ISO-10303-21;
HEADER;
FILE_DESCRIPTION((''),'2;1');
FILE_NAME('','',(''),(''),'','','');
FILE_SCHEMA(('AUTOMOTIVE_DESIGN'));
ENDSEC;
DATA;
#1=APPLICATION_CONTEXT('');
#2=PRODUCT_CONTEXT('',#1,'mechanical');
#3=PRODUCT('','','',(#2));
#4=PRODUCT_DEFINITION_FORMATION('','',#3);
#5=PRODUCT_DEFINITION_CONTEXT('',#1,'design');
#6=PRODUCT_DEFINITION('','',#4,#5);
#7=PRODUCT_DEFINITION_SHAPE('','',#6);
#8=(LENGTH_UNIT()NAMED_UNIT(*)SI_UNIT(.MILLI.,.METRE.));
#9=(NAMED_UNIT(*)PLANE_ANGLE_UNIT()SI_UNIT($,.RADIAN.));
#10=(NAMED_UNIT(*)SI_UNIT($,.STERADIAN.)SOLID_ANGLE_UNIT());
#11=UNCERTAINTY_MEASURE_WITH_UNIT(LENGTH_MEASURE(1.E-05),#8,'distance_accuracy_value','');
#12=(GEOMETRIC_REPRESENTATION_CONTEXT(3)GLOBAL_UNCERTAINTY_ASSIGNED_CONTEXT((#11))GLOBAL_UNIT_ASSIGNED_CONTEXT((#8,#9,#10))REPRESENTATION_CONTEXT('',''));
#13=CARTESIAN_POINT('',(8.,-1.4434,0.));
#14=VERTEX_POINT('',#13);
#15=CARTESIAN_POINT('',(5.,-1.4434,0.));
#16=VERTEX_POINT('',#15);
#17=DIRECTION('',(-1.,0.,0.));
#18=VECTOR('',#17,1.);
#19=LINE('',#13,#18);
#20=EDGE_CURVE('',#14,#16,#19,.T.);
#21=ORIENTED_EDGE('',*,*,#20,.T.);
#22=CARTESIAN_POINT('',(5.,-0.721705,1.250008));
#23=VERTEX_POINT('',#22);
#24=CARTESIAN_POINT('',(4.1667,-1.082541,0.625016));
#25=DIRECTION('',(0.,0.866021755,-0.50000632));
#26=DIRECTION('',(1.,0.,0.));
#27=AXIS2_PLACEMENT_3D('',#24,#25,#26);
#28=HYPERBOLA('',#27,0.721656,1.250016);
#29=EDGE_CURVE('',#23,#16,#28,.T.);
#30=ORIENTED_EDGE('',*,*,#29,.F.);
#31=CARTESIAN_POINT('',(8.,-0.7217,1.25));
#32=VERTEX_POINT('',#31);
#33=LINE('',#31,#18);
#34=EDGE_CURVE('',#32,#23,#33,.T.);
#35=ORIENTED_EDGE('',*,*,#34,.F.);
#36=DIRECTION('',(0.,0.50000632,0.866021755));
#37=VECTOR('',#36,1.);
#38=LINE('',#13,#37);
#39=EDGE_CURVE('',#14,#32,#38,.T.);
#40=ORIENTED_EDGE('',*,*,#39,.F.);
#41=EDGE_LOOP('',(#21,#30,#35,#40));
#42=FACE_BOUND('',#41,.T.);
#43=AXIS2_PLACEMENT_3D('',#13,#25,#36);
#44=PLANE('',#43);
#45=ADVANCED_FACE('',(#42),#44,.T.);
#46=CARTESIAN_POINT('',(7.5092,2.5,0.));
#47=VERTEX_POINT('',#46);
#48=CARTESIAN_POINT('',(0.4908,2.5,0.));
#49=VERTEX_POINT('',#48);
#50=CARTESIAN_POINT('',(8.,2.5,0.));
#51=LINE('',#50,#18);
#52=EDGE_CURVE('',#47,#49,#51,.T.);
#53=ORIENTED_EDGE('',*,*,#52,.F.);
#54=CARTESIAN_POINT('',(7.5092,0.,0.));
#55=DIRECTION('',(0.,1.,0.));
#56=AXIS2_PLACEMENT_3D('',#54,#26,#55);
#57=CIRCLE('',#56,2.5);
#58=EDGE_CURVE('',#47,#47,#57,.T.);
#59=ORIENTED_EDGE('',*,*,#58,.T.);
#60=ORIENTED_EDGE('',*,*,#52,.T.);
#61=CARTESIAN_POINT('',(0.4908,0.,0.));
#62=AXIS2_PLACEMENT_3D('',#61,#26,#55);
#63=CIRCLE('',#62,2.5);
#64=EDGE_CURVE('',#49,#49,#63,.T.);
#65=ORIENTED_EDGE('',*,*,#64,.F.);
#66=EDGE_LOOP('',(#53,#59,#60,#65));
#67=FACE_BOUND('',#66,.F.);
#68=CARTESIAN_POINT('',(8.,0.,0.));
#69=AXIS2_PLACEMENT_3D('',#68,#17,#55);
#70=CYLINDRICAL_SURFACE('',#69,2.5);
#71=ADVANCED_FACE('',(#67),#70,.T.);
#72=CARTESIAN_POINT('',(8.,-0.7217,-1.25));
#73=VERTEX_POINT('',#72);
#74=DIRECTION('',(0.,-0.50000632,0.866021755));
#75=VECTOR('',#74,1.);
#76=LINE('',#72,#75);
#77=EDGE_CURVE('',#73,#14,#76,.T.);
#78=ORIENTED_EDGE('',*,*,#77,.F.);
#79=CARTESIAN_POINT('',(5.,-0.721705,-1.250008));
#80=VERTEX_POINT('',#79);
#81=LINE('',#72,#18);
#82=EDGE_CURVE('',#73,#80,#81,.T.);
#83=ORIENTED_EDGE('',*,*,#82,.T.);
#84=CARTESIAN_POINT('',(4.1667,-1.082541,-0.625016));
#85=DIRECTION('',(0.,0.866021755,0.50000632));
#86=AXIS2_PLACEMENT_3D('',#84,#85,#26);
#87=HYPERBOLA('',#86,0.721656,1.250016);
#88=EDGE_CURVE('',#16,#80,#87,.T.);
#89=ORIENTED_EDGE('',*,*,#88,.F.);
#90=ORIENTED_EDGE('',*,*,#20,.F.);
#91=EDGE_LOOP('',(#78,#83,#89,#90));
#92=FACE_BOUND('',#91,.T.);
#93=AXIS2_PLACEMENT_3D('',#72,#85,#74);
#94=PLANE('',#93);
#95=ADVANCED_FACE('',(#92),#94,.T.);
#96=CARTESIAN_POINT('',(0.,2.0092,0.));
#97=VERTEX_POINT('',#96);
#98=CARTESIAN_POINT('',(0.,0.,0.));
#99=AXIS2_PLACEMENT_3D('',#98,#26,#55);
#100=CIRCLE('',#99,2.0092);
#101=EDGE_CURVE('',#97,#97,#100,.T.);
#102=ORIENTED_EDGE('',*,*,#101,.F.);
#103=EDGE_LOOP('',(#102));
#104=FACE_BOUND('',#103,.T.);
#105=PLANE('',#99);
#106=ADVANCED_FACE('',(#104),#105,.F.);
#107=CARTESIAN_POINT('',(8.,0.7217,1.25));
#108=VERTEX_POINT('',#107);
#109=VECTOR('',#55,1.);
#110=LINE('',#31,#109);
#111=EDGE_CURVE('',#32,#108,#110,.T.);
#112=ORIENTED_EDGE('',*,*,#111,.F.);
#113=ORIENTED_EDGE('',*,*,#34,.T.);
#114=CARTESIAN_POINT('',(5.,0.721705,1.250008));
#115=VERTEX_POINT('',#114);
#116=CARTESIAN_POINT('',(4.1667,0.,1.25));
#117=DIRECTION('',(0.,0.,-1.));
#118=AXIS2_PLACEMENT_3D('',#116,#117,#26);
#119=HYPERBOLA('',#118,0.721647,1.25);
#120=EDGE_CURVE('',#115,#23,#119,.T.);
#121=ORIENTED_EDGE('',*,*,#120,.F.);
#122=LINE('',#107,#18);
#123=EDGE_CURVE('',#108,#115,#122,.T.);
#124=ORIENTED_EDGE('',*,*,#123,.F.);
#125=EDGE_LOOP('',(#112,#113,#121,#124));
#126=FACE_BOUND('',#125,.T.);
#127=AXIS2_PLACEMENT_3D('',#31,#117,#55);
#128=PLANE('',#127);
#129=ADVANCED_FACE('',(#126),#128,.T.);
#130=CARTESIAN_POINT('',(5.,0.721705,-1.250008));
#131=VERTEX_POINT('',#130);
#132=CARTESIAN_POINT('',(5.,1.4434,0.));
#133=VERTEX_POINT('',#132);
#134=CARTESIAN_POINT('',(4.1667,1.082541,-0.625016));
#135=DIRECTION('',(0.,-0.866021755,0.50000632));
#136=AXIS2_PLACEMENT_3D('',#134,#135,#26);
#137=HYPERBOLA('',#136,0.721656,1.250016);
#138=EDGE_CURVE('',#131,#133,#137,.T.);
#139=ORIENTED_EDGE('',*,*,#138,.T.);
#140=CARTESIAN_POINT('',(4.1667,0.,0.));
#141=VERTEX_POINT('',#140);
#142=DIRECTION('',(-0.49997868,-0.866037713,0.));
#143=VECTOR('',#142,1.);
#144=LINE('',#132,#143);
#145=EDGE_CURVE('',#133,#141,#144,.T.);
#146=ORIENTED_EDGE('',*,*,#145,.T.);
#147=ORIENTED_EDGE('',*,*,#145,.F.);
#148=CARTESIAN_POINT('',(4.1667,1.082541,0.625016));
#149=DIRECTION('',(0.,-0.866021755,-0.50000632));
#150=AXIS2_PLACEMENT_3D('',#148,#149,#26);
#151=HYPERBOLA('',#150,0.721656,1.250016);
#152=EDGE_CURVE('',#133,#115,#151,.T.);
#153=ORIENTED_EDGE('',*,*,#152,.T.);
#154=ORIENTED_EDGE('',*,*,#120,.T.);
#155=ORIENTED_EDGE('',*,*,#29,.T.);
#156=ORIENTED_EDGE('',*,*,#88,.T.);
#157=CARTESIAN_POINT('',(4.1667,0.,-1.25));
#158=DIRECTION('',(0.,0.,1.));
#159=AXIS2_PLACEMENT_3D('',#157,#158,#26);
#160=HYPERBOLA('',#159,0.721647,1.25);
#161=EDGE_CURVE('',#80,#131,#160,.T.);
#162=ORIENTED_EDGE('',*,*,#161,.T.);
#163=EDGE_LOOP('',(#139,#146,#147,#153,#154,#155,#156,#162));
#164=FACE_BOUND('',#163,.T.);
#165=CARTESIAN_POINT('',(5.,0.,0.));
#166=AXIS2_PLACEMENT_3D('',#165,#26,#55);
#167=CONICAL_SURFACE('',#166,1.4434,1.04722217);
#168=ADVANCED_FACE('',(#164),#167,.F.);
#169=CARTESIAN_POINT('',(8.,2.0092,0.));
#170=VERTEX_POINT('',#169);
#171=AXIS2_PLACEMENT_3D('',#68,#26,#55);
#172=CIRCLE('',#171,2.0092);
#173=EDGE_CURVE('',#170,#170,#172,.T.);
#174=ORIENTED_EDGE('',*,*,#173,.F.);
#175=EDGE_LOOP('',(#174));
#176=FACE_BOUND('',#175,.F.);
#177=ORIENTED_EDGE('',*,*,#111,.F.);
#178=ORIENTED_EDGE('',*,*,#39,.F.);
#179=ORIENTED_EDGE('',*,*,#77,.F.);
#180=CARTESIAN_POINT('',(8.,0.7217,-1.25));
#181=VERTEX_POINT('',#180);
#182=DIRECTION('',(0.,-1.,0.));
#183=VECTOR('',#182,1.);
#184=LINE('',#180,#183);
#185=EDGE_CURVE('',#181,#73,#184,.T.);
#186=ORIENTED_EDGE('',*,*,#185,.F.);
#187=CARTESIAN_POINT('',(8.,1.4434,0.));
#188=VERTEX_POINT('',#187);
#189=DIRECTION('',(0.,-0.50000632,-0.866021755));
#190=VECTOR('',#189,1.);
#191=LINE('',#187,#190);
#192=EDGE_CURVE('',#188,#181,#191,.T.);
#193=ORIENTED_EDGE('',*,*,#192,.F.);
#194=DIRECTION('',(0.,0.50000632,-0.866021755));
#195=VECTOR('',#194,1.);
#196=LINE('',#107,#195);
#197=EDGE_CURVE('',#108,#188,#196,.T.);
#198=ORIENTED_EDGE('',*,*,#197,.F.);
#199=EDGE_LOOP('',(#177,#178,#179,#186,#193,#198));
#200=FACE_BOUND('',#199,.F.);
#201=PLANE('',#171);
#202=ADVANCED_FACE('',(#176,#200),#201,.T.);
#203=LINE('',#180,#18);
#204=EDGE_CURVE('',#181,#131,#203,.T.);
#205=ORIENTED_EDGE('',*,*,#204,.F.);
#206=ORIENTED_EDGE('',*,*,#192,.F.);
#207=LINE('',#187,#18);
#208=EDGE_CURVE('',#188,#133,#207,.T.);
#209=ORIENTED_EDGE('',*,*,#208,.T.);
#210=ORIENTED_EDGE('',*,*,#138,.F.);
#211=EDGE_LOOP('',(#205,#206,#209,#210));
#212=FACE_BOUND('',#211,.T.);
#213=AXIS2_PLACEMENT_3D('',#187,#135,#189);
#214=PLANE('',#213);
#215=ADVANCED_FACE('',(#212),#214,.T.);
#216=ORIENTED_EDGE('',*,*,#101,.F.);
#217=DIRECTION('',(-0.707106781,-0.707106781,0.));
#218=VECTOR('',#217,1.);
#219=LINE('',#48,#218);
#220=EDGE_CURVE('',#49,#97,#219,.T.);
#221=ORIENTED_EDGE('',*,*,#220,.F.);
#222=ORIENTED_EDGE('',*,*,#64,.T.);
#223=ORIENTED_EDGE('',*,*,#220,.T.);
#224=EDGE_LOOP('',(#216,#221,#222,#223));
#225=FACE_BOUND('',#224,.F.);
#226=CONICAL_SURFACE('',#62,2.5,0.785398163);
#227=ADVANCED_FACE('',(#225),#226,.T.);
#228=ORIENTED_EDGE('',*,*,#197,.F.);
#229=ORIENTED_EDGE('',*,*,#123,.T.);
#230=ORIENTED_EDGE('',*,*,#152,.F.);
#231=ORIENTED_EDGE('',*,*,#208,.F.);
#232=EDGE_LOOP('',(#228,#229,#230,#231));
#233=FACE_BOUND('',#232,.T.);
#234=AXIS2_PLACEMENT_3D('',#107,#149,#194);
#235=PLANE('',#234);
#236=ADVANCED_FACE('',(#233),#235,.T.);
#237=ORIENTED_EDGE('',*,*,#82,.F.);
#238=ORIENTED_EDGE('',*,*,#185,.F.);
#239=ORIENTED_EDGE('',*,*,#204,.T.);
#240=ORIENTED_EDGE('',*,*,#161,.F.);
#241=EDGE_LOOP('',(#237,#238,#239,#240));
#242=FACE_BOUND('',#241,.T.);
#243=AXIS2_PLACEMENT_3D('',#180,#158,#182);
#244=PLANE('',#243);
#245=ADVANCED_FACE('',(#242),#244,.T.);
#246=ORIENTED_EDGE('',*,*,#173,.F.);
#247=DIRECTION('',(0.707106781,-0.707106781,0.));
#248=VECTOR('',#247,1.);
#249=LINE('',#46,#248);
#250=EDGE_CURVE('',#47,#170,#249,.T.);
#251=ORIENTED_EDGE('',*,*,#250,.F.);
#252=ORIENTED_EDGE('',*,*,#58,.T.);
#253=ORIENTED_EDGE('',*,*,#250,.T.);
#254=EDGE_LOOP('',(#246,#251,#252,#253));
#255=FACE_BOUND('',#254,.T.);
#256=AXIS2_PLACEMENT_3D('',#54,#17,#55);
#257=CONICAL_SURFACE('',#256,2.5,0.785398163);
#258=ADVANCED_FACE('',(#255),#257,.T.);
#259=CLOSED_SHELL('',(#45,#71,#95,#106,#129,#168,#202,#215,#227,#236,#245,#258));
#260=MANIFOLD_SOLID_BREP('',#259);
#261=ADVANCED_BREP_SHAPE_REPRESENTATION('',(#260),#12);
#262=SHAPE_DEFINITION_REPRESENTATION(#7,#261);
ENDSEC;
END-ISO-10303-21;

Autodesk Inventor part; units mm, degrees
ref_plane "YZ Plane" through (0, 0, 0) normal (1, 0, 0) x (0, 1, 0)
ref_plane "XZ Plane" through (0, 0, 0) normal (0, 1, 0) x (-1, 0, 0)
sketch "Sketch1" plane through (0, 0, 0) normal (0, 0, 1) x (1, 0, 0)
  line L0 (0, 0) -> (4.1667, 0)
  line L1 (8, 1.4434) -> (8, 2.5)
  line L2 (8, 2.5) -> (0, 2.5)
  line L3 (8, 1.4434) -> (5, 1.4434)
  line L4 (5, 1.4434) -> (4.1667, 0)
  line L5 (0, -0.5) -> (0, 3) projected
  line L6 (0, 2.5) -> (0, 0)
  dimension "d0" = 3
  dimension "d1" = 60
  dimension "d2" = 5
  dimension "d3" = 2.8868
  dimension "d5" = 8
revolve "Body" add sketch "Sketch1" angle 360 about axis through (0, 0, 0) along (1, 0, 0)
sketch "Sketch2" plane through (8, 0, 0) normal (1, 0, 0) x (0, 1, 0)
  circle A0 centre (0, 0) radius 1.4434 projected
  line L0 (-0.7217, 1.25) -> (0.7217, 1.25)
  line L1 (0.7217, 1.25) -> (1.4434, 0)
  line L2 (1.4434, 0) -> (0.7217, -1.25)
  line L3 (0.7217, -1.25) -> (-0.7217, -1.25)
  line L4 (-0.7217, -1.25) -> (-1.4434, 0)
  line L5 (-1.4434, 0) -> (-0.7217, 1.25)
  point P0 (0, 0)
  point P1 (0, 0)
extrude "Slot" add sketch "Sketch2" against normal up to next contours L1 A0 | A0 L2 | L0 A0 | A0 L3 | L5 A0 | A0 L4
thread "Thread" size "M5x0.8" class "6g" standard "ISO Metric profile" length 8
chamfer "Chamfer1" distance 0.4908 angle 45 1 edges at (8, -2.5, 0) measured on face at (5.3333, 2.4676, -0.401)
chamfer "Chamfer2" distance 0.4908 angle 45 1 edges at (0, -2.5, 0) measured on face at (2.5031, 2.4676, -0.401)
ref_plane "Work Plane1" through (4, 0, 0) normal (0, 0, 1) x (1, 0, 0)
equation "\"d8\" = NLG"
equation "\"d10\" = -0.5 * GD1 + 0.5 * NND"
equation "\"d11\" = FAWI"
equation "\"d34\" = -0.5 * GD1 + 0.5 * NND"
equation "\"d12\" = -0.5 * GD1 + 0.5 * NND"
equation "\"d13\" = FAWI"
equation "\"d35\" = -0.5 * GD1 + 0.5 * NND"
equation "\"d0\" = INTI"
equation "\"d2\" = NND"
equation "\"d3\" = 1.1547 * SW"
equation "\"d5\" = NLG"
equation "\"NND\" = 5"
equation "\"NLG\" = 8"
equation "\"INTI\" = 3"
equation "\"FAWI\" = 45deg"
equation "\"SW\" = 2.5"
equation "\"GD1\" = THREADDIA - 1.2269 * PTC"
equation "\"SPD\" = 3.5"
equation "\"GUL\" = 0.61345 * PTC"
equation "\"TOA\" = 30deg"
equation "\"THREADDIA\" = 5"
equation "\"PTC\" = 0.8"
equation "\"FAWI1\" = 45deg"
equation "\"GAL\" = 0.61345 * PTC"
equation "\"E0\" = 1.155 * SW"
properties part number "DIN 913 - M5 x 8" material "Steel, Mild"
